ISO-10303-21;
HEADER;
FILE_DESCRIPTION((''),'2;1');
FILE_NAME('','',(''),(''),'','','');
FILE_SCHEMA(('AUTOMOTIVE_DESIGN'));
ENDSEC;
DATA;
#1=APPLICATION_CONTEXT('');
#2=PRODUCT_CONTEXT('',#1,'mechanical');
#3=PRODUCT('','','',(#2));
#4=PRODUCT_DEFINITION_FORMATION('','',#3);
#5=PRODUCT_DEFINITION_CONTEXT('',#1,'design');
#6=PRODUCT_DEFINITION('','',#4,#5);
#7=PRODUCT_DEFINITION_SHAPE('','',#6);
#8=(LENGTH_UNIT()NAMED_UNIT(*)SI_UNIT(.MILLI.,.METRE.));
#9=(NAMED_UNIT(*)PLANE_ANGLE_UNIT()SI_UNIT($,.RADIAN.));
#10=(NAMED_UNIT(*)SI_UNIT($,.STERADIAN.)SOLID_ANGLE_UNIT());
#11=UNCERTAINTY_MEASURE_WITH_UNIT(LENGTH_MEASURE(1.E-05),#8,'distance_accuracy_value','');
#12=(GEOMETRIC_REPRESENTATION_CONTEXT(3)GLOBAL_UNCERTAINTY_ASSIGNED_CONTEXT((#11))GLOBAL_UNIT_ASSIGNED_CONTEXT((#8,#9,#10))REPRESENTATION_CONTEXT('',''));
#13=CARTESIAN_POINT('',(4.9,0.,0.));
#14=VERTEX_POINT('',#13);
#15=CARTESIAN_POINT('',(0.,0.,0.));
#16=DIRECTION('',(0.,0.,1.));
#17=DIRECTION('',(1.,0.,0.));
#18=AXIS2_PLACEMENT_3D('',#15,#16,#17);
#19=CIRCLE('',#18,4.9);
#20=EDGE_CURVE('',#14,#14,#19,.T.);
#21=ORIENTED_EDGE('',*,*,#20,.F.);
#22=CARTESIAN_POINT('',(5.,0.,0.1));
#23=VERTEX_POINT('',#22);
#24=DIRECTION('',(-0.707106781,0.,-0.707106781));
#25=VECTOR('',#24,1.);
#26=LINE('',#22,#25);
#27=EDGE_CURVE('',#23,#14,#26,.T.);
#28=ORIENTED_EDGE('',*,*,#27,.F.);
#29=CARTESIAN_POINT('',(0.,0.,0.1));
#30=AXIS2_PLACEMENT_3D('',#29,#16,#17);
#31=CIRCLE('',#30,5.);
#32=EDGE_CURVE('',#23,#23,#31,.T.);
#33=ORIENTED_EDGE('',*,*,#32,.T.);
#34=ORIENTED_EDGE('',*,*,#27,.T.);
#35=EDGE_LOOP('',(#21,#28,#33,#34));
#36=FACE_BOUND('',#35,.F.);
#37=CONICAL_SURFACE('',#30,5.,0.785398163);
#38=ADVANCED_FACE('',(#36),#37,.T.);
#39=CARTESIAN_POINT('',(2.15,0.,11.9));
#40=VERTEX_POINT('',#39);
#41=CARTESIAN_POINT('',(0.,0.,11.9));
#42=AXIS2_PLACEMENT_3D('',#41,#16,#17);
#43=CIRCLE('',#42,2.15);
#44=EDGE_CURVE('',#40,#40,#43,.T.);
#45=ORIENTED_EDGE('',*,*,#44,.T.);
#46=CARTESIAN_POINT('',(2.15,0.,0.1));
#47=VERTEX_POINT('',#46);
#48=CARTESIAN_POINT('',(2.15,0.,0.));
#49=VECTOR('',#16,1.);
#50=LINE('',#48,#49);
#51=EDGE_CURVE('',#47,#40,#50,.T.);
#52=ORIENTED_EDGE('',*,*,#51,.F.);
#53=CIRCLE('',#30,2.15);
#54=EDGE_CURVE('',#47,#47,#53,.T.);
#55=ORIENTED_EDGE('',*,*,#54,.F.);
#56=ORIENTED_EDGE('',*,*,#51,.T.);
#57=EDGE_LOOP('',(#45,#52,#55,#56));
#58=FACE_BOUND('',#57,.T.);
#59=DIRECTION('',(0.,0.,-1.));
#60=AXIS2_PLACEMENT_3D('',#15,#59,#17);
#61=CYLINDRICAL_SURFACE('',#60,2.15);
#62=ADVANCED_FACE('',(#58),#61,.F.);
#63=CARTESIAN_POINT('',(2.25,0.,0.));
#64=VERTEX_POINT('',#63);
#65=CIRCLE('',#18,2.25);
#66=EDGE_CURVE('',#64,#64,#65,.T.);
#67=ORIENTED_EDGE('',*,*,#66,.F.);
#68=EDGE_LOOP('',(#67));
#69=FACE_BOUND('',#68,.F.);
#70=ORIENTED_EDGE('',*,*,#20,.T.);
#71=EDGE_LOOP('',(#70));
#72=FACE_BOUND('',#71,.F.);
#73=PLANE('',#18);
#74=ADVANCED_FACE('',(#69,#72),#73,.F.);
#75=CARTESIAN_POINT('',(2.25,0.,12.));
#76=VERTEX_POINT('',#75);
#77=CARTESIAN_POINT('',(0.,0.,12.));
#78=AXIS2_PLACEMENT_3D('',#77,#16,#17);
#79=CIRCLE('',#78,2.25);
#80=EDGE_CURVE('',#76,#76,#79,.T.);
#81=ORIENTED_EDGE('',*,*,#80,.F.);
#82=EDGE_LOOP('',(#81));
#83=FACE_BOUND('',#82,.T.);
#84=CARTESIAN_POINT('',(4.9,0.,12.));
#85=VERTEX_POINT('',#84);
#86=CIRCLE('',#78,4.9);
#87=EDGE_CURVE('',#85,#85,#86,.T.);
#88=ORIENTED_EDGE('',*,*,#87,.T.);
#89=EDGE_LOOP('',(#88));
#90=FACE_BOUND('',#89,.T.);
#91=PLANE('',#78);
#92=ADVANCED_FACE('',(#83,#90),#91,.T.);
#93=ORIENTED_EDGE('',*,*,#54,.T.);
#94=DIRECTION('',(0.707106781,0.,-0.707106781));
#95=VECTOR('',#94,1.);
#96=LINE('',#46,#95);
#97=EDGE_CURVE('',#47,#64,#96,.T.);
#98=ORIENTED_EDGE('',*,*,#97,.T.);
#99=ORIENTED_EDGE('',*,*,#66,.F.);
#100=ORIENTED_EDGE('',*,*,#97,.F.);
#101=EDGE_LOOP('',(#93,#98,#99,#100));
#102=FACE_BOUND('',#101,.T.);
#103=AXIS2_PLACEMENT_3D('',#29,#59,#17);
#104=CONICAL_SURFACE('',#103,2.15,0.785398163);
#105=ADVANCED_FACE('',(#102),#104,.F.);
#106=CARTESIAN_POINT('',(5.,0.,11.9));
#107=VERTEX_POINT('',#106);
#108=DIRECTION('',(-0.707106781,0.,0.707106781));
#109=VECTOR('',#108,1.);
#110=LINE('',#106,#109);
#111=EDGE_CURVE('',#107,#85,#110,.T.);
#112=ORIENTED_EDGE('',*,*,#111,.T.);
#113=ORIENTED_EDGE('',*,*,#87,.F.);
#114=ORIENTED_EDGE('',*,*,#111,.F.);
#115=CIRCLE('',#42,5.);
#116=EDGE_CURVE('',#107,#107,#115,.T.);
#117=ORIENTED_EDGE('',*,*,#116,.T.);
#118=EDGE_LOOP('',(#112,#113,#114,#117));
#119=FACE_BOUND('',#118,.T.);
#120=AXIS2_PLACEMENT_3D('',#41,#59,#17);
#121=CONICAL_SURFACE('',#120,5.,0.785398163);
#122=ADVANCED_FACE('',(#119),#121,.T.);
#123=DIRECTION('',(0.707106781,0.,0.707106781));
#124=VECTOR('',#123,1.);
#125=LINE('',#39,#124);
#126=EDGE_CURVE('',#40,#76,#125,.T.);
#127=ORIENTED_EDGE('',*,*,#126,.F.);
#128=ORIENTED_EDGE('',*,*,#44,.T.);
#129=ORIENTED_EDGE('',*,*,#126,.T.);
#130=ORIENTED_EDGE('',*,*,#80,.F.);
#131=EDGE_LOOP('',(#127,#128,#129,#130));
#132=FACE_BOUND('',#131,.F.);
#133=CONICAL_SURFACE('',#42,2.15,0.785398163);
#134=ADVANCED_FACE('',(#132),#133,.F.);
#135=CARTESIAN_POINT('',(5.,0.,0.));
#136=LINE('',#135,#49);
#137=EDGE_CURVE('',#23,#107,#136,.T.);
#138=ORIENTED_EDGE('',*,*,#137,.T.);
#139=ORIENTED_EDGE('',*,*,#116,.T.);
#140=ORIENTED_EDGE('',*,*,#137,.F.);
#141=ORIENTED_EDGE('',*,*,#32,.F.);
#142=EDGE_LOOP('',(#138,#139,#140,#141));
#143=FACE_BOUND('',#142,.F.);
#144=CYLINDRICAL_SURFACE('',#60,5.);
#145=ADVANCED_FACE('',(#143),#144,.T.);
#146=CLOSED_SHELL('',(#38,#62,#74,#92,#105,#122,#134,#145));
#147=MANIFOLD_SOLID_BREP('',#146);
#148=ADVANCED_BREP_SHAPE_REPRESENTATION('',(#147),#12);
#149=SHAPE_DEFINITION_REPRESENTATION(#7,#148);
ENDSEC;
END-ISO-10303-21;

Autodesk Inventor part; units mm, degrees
ref_plane "YZ Plane" through (0, 0, 0) normal (1, 0, 0) x (0, 1, 0)
ref_plane "XZ Plane" through (0, 0, 0) normal (0, 1, 0) x (-1, 0, 0)
ref_plane "XY Plane" through (0, 0, 0) normal (0, 0, 1) x (1, 0, 0)
sketch "Sketch1" plane through (0, 0, 0) normal (0, 0, 1) x (1, 0, 0)
  circle A0 centre (0, 0) radius 2.15
  circle A1 centre (0, 0) radius 5
  dimension "d0" = 4.3
  dimension "d1" = 10
extrude "Extrusion1" add sketch "Sketch1" along normal blind 12
chamfer "Chamfer1" distance 0.1 angle 45 4 edges at (-5, 0, 0) (-5, 0, 12) (-2.15, 0, 0) (-2.15, 0, 12)
properties part number "M4x12 Spacer" material "Stainless Steel"
